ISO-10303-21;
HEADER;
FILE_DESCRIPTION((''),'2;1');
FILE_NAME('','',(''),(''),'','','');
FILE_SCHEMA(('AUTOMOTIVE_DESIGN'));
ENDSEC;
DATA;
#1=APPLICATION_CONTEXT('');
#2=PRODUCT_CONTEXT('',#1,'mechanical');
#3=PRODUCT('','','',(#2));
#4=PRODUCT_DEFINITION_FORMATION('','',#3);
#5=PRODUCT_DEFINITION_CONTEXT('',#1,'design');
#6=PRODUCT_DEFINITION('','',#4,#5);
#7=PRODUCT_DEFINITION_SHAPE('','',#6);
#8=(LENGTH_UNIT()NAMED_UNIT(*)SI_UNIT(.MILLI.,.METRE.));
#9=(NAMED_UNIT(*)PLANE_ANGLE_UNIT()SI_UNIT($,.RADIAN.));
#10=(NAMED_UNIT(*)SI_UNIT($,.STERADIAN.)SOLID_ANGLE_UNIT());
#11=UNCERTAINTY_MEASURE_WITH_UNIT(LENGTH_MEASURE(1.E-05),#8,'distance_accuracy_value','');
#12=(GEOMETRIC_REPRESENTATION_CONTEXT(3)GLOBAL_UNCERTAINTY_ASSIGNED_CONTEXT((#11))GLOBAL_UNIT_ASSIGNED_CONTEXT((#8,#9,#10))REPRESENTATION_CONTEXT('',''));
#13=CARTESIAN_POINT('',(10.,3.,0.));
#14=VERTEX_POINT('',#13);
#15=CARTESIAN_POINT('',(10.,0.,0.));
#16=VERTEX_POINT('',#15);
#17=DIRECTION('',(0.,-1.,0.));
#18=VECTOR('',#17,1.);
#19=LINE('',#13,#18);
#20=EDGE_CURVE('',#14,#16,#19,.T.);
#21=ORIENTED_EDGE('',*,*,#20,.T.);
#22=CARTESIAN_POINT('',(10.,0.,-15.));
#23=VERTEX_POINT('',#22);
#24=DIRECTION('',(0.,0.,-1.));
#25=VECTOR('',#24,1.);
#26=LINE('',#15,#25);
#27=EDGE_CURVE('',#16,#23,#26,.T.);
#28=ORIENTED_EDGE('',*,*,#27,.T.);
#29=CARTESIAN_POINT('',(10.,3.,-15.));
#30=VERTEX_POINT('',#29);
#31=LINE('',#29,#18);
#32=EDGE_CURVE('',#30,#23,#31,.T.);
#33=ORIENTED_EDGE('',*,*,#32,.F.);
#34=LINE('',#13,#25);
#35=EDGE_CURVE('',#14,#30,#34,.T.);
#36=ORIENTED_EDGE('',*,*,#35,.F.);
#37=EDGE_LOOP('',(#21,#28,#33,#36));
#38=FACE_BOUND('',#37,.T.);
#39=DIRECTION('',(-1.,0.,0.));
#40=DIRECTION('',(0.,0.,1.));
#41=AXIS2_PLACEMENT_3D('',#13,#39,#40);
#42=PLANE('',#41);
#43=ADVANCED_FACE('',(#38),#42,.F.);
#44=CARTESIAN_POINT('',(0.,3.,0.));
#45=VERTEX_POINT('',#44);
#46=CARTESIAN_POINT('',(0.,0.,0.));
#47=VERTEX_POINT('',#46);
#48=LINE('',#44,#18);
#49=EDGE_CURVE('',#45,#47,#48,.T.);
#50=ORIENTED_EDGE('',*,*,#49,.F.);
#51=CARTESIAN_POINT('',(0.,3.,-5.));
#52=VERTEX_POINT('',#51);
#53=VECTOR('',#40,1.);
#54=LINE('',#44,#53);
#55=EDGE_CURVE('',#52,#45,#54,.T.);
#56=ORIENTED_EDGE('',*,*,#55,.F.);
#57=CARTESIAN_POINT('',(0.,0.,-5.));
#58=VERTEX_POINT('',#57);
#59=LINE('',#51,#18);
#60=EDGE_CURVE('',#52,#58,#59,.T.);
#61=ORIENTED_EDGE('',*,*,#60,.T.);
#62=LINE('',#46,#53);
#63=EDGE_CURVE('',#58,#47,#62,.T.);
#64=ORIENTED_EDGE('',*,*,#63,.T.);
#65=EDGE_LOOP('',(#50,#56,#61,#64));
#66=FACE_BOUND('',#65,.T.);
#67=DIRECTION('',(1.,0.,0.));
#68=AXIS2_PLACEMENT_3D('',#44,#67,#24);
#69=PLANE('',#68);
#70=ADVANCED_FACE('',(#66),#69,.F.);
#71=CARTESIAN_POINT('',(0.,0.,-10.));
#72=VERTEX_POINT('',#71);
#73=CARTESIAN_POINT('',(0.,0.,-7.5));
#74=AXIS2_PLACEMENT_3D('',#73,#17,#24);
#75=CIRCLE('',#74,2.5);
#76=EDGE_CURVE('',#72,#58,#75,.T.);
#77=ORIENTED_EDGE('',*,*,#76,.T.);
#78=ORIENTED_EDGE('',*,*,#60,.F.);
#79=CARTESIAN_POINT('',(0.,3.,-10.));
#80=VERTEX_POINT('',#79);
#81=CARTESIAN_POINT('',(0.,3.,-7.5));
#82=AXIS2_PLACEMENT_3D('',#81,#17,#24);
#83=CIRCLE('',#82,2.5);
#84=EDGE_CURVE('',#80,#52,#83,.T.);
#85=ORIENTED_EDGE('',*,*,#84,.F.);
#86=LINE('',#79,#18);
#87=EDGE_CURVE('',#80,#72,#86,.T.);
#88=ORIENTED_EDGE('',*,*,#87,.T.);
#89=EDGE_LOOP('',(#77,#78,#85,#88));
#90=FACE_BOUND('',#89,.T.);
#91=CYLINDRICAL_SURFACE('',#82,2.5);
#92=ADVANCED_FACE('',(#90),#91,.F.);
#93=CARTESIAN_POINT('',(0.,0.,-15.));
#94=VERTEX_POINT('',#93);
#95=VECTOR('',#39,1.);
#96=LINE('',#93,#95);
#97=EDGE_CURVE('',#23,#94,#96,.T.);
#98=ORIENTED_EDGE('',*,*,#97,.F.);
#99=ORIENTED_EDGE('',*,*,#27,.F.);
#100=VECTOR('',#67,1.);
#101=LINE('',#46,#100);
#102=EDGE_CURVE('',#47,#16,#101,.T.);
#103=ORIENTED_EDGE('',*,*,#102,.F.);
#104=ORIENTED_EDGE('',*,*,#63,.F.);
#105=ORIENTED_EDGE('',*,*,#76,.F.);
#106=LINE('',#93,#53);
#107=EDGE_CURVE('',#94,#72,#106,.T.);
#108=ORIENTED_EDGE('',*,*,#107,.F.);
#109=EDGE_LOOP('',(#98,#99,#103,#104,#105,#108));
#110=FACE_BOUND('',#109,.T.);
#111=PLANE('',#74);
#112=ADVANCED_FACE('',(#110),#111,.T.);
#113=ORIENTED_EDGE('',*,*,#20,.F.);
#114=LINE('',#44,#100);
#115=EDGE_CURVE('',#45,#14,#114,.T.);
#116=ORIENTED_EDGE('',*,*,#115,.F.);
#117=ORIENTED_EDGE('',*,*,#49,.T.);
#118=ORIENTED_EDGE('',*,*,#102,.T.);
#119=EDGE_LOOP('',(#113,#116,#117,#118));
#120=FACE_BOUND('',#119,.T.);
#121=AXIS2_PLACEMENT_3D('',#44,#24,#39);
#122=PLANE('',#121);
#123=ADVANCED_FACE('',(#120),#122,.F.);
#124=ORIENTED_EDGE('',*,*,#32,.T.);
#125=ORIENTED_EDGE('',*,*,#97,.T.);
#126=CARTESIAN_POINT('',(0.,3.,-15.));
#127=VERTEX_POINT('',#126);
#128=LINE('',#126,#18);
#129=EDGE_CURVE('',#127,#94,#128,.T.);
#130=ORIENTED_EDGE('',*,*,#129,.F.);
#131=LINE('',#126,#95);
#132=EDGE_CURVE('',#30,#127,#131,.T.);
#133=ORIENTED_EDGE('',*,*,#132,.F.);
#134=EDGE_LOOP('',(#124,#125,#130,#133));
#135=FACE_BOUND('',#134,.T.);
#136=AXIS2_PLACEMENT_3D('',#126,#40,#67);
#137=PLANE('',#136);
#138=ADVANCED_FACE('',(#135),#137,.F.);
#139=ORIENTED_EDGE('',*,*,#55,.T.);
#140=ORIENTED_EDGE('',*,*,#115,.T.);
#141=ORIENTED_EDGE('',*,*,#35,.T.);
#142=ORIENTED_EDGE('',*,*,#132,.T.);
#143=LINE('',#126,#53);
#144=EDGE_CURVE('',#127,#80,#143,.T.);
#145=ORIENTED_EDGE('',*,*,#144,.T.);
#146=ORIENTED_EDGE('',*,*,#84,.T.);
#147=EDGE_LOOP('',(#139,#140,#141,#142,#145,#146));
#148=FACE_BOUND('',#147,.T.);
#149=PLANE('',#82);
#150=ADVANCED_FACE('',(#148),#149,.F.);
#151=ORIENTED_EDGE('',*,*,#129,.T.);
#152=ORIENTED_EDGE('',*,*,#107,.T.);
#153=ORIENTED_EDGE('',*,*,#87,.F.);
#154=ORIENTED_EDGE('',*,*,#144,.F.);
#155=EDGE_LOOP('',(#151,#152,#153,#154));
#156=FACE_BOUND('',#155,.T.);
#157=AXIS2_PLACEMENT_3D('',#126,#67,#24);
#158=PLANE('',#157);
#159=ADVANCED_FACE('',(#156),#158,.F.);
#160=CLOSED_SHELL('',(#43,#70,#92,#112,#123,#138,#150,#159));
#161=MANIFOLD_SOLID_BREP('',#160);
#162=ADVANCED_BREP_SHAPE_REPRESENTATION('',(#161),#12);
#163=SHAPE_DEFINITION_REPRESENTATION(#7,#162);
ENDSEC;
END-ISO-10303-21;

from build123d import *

# Parameters (mm, degrees)
EXTRUDE_1_DEPTH = 3


with BuildPart() as part:
    # Эскиз1 → Бобышка-Вытянуть1 (new body)
    with BuildSketch(Plane(origin=(0, 0, 0), x_dir=(1, 0, 0), z_dir=(0, 1, 0))):
        with BuildLine():
            Line((0, 15), (0, 10))
            ThreePointArc((0, 10), (2.5, 7.5), (0, 5))
            Line((0, 5), (0, 0))
            Line((0, 0), (10, 0))
            Line((10, 0), (10, 15))
            Line((10, 15), (0, 15))
        make_face()
    extrude(amount=EXTRUDE_1_DEPTH)


solid = part.part
